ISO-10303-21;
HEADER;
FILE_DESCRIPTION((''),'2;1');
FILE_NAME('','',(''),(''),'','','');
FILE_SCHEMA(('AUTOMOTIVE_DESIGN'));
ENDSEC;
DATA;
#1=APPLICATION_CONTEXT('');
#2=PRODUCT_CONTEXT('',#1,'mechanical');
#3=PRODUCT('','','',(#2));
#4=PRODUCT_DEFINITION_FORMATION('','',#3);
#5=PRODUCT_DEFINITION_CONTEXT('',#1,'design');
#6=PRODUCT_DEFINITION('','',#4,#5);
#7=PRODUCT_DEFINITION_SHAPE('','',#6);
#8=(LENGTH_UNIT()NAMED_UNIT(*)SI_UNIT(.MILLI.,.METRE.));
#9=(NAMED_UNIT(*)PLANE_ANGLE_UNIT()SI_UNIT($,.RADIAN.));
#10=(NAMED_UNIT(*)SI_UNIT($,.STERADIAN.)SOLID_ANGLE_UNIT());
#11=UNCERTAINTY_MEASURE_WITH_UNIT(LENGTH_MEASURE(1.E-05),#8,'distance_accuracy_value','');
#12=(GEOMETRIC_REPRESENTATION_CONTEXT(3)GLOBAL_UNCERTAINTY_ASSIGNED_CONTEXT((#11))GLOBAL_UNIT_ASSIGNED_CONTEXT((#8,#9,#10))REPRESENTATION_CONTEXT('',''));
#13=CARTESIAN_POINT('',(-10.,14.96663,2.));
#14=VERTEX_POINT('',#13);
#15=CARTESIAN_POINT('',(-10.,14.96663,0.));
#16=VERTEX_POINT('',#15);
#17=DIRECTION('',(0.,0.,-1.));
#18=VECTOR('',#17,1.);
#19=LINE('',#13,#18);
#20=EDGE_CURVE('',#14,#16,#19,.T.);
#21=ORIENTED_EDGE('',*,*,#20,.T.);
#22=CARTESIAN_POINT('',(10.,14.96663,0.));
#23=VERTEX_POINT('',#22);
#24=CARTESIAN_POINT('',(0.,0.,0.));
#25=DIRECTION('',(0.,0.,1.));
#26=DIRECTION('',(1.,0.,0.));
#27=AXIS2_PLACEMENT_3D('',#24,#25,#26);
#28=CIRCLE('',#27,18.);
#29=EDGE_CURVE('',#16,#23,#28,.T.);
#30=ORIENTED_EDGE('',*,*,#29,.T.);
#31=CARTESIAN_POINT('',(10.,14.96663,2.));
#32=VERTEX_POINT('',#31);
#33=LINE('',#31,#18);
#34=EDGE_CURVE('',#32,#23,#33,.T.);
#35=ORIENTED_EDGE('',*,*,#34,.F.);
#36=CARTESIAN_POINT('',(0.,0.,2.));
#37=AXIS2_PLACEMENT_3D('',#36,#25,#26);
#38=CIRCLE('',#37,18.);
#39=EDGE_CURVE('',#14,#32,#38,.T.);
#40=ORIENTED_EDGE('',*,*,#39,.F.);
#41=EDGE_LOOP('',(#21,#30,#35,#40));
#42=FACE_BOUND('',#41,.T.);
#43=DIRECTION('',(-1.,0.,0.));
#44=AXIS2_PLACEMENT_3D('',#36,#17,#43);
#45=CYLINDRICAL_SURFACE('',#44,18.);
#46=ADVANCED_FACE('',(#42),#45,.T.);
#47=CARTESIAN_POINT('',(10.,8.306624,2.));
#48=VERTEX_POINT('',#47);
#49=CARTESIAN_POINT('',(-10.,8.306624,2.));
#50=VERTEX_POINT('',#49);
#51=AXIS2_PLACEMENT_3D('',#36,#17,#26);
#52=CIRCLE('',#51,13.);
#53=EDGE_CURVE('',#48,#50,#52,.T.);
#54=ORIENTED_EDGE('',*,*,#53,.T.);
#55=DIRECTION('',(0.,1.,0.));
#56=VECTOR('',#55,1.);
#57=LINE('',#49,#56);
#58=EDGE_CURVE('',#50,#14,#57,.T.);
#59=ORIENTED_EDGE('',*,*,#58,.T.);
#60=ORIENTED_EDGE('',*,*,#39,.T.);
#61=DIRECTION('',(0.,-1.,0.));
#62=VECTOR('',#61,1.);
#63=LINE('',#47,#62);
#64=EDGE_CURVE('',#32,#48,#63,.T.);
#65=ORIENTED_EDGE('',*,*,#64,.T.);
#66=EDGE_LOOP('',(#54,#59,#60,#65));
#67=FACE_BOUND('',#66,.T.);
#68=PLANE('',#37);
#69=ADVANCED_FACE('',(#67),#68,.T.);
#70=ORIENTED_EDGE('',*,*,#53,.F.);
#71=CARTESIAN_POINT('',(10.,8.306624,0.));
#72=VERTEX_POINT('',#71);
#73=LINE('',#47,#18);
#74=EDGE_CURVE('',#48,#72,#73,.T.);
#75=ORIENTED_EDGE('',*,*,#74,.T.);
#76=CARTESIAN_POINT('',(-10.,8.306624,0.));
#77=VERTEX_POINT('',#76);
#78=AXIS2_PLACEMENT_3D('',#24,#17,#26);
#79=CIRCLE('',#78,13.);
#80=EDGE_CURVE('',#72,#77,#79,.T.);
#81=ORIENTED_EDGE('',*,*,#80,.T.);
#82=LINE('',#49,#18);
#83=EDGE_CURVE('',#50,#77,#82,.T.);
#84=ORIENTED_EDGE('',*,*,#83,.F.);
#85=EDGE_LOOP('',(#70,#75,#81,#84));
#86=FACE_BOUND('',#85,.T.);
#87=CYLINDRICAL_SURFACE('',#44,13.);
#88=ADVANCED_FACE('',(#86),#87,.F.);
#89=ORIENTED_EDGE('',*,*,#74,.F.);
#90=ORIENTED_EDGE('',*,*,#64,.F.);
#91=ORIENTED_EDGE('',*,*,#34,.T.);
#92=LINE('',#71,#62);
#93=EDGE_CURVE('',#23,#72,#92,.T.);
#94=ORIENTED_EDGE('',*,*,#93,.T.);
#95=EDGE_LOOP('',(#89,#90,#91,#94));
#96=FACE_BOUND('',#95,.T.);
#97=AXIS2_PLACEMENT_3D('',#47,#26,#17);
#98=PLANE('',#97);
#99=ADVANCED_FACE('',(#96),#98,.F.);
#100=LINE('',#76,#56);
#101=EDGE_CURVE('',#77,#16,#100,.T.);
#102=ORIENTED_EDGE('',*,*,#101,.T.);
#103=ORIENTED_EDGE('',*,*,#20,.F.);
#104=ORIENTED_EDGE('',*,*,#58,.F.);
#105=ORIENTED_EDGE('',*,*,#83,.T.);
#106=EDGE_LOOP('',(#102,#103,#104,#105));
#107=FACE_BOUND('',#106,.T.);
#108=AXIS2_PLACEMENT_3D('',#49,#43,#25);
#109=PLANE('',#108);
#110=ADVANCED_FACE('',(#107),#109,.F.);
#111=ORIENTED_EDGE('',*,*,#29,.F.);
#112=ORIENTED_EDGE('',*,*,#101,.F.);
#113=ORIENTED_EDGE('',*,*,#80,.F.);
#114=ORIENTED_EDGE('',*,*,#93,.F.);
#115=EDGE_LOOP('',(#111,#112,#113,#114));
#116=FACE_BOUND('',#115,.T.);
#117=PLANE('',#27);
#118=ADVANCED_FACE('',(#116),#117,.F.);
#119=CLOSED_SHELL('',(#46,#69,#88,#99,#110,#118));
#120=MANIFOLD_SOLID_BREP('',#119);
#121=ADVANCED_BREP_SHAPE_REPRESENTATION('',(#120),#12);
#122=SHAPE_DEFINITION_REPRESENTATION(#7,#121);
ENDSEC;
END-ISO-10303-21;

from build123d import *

# Parameters (mm, degrees)
RESSALTO_EXTRUS_O1_DEPTH = 2


with BuildPart() as part:
    # Esboço1 → Ressalto-extrusão1 (new body)
    with BuildSketch(Plane.XY):
        with BuildLine():
            Line((-10, 8.306623863), (-10, 14.966629547))
            ThreePointArc((-10, 14.966629547), (0, -18), (10, 14.966629547))
            Line((10, 14.966629547), (10, 8.306623863))
            ThreePointArc((10, 8.306623863), (0, -13), (-10, 8.306623863))
        make_face()
    extrude(amount=RESSALTO_EXTRUS_O1_DEPTH)


solid = part.part
